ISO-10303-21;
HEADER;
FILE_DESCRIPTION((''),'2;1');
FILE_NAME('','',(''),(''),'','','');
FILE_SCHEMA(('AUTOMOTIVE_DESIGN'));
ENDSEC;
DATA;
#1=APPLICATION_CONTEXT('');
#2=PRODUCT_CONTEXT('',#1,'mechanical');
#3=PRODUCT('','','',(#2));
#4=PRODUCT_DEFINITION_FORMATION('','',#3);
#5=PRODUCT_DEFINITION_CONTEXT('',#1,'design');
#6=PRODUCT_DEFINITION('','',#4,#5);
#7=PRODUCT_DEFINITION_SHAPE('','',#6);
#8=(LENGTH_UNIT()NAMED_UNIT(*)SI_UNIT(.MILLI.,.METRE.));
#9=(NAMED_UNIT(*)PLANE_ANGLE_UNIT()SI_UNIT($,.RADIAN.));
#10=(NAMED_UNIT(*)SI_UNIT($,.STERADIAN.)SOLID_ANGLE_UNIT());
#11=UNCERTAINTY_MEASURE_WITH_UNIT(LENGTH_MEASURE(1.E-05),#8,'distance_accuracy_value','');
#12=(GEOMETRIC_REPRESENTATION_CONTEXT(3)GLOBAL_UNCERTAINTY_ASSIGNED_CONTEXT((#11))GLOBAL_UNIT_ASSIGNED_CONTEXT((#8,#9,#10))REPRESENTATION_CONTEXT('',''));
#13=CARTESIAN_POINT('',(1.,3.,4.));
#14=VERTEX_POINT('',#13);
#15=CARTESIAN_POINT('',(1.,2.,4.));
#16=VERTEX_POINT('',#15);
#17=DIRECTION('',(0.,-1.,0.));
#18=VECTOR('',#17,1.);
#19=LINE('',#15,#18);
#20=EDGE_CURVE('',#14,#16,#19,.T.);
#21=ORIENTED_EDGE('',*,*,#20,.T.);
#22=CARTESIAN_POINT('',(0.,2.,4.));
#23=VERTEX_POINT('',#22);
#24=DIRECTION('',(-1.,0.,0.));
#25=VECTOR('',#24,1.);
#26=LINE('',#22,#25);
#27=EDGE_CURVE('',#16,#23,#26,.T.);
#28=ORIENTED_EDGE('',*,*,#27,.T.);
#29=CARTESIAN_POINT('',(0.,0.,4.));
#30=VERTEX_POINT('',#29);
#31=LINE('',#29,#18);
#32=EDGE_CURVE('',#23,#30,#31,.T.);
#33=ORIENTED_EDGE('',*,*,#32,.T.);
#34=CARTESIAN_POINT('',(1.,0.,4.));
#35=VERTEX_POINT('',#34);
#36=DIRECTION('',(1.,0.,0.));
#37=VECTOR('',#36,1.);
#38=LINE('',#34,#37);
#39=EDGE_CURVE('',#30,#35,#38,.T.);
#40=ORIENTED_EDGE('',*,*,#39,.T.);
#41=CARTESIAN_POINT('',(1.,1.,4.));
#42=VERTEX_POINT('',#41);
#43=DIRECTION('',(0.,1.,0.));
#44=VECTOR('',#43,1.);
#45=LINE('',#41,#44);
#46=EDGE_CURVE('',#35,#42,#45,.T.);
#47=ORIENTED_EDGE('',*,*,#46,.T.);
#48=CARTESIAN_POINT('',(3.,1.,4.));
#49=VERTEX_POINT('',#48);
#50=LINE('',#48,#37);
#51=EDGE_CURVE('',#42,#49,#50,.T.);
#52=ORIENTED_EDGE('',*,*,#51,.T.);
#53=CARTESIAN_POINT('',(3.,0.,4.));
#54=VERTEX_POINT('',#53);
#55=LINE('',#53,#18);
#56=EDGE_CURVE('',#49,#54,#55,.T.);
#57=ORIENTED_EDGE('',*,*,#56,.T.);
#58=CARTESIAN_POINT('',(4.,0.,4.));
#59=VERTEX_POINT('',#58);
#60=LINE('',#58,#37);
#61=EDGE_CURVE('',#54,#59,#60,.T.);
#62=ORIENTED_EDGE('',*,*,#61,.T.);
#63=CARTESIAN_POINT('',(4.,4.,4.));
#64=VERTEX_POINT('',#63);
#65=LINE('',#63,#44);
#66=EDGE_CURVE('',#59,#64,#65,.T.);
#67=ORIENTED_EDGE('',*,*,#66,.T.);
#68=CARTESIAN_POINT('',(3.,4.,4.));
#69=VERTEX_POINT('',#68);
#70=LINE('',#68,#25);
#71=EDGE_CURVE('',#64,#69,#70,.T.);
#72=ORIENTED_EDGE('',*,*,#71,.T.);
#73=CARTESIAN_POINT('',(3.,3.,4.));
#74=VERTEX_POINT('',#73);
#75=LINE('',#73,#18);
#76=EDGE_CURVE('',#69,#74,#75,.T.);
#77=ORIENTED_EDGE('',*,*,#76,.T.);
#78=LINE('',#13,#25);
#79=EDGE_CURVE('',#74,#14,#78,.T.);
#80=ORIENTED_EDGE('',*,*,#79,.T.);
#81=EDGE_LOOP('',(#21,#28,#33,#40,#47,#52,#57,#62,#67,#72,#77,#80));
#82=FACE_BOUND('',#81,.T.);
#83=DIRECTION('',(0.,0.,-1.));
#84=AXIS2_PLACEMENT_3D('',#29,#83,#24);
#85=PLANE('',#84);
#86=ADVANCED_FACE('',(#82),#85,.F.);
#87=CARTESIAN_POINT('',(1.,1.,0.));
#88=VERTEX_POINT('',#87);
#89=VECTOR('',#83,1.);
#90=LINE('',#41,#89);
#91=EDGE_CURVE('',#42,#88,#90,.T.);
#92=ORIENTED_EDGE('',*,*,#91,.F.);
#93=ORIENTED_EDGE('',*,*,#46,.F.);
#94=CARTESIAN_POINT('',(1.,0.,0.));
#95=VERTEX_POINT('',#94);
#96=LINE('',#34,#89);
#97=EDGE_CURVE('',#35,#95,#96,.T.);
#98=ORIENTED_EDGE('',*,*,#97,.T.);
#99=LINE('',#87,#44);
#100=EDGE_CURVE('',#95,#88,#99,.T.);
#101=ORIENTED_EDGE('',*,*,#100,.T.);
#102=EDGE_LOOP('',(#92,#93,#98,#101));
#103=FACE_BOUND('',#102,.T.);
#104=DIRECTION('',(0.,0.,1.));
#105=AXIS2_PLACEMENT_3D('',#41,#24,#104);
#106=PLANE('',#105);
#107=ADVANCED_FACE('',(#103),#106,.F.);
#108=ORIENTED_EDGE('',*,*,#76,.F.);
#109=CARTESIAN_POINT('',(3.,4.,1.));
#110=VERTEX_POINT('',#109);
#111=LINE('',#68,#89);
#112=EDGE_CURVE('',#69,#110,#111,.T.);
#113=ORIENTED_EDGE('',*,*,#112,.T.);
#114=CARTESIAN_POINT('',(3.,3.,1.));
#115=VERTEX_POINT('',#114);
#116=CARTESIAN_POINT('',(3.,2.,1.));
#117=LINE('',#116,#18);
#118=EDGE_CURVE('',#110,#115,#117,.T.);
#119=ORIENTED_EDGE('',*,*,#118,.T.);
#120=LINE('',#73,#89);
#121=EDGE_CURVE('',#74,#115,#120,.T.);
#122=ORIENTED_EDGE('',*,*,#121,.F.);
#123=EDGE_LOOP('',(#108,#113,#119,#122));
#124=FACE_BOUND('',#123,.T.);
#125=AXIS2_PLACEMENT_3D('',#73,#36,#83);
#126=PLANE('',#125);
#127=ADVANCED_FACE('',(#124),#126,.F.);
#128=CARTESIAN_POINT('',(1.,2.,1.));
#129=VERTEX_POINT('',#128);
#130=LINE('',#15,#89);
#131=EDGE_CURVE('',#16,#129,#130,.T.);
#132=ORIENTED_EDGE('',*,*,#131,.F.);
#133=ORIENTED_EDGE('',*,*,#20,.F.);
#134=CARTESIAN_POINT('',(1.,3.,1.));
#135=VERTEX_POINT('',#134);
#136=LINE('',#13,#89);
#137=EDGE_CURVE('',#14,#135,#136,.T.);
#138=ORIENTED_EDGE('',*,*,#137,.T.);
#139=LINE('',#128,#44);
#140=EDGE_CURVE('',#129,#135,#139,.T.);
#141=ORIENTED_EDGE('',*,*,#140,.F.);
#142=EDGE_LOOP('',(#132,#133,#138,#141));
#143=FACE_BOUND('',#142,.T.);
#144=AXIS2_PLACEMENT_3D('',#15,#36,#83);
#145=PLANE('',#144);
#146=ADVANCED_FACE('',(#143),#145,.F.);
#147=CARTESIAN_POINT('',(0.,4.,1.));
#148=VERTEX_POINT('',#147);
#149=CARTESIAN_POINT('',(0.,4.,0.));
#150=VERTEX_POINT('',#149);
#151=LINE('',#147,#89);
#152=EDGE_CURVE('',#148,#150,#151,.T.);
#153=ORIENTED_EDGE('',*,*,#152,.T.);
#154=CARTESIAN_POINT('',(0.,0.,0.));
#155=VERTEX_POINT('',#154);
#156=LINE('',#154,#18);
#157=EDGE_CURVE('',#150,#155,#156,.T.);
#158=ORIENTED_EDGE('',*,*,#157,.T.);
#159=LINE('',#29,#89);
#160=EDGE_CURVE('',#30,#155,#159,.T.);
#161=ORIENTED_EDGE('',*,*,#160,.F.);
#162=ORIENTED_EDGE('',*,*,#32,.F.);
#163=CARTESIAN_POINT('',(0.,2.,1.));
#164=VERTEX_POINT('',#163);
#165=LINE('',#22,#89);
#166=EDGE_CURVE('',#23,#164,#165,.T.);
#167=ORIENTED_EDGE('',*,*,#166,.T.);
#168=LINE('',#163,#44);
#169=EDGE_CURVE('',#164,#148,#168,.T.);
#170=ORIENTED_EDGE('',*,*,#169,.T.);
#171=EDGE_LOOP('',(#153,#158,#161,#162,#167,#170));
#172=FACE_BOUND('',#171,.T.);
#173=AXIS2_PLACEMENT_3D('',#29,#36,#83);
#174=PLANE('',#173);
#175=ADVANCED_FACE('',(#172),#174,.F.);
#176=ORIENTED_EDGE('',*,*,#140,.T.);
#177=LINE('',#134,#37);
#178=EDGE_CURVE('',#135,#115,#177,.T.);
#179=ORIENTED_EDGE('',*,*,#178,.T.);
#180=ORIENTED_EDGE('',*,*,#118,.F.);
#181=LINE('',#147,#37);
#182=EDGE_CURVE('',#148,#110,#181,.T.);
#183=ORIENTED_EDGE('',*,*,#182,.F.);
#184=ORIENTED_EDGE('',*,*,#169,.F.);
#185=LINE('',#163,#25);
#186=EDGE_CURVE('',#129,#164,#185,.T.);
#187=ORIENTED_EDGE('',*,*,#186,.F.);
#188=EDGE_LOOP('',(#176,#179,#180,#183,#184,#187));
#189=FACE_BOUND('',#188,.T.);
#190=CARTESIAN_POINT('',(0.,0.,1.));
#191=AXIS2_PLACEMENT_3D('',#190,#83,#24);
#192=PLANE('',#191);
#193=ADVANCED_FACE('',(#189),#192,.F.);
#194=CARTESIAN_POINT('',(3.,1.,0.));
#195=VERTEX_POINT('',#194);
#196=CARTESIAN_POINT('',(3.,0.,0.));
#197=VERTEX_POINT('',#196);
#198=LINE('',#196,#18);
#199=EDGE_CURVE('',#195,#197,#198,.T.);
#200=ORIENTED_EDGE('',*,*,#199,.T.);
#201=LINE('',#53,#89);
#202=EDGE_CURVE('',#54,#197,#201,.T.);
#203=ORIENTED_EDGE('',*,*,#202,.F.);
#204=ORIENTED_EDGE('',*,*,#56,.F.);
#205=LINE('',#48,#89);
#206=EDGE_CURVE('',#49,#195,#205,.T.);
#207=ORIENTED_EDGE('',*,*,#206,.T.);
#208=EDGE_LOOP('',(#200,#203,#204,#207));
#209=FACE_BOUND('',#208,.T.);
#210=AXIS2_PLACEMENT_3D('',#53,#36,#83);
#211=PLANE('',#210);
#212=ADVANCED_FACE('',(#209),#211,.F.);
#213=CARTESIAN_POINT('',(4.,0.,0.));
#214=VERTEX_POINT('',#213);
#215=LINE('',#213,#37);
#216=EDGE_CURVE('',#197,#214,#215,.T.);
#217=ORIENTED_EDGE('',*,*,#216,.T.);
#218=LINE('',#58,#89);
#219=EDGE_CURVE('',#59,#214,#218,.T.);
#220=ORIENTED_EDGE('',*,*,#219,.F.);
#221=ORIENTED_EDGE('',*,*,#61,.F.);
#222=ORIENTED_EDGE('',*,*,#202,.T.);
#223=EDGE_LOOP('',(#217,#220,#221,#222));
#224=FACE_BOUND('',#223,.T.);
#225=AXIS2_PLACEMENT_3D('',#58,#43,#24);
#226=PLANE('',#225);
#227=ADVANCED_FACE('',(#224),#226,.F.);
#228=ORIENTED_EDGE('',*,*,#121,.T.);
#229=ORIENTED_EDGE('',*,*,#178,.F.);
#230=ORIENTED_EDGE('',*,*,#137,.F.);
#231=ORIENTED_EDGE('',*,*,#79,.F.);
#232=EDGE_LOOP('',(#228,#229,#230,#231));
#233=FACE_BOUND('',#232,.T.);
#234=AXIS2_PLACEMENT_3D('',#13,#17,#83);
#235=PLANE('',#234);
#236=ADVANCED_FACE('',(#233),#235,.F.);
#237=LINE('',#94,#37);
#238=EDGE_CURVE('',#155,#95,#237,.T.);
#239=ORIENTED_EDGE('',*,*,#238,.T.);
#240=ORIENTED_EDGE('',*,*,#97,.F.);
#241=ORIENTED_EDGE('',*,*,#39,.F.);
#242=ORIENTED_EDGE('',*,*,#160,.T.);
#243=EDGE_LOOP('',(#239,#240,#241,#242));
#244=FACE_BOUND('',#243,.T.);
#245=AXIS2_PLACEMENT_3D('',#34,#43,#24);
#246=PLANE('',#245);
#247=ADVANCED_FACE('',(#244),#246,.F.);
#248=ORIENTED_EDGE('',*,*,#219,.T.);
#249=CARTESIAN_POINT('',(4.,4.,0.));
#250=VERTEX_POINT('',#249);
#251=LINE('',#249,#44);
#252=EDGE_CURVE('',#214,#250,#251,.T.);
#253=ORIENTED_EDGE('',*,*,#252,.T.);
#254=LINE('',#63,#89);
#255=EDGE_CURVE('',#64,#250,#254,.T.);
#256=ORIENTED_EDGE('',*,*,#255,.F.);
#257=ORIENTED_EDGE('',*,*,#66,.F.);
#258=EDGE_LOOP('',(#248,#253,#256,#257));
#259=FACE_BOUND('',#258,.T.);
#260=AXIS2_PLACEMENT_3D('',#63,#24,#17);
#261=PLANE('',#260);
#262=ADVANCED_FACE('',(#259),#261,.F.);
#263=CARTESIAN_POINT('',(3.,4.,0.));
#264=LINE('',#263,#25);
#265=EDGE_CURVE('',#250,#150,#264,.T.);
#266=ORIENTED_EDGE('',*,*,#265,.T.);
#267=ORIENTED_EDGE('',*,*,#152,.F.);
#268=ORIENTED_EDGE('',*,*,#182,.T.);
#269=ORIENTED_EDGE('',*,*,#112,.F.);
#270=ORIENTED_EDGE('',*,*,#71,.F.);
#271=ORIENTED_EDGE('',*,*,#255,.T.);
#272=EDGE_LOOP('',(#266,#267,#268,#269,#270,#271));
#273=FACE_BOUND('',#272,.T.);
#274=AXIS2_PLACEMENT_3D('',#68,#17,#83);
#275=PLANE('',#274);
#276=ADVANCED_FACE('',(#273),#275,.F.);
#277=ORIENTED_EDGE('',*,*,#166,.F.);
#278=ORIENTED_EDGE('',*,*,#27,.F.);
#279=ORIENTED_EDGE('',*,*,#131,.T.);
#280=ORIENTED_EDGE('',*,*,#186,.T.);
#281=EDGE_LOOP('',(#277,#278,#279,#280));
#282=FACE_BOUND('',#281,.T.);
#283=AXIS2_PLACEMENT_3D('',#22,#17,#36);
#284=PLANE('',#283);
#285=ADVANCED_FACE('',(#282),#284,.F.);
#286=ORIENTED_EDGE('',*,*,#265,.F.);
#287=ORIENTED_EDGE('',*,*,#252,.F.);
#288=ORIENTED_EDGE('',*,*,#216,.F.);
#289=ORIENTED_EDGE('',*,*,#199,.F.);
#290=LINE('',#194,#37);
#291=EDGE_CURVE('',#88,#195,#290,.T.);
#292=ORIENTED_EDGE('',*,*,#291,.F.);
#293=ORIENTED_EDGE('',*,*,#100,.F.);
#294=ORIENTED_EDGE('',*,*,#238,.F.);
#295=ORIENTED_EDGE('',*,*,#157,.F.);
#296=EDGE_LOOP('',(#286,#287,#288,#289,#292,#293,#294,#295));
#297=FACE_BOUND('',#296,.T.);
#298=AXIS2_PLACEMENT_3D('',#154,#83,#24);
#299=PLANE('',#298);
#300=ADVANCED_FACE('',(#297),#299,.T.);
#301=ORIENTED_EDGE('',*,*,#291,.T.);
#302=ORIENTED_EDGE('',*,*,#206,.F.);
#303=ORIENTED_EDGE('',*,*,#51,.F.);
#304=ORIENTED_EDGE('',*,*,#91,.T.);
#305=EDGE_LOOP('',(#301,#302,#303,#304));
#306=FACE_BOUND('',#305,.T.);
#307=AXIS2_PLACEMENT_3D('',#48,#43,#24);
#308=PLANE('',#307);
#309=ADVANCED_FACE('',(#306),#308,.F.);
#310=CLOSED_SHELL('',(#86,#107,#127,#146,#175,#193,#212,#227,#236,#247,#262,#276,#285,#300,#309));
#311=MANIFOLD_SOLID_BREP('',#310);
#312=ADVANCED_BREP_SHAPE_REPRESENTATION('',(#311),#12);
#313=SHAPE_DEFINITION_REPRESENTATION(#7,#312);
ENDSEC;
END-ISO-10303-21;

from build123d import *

# Parameters (mm, degrees)
BOSS_EXTRUDE1_DEPTH = 4
SKETCH5_W           = 3
SKETCH5_H           = 2
BOSS_EXTRUDE3_DEPTH = 1


with BuildPart() as part:
    # Sketch1 → Boss-Extrude1 (new body)
    with BuildSketch(Plane.XY):
        Polygon((0, 0), (0, 2), (1, 2), (1, 3), (3, 3), (3, 4), (4, 4), (4, 0), (3, 0), (3, 1), (1, 1), (1, 0), align=None)
    extrude(amount=BOSS_EXTRUDE1_DEPTH)

    # Sketch5 → Boss-Extrude3 (add)
    with BuildSketch(Plane(origin=(0, 0, 0), x_dir=(-1, 0, 0), z_dir=(0, 0, -1))):
        with Locations((-1.5, 3)):
            Rectangle(SKETCH5_W, SKETCH5_H)
    extrude(amount=-BOSS_EXTRUDE3_DEPTH)


solid = part.part
